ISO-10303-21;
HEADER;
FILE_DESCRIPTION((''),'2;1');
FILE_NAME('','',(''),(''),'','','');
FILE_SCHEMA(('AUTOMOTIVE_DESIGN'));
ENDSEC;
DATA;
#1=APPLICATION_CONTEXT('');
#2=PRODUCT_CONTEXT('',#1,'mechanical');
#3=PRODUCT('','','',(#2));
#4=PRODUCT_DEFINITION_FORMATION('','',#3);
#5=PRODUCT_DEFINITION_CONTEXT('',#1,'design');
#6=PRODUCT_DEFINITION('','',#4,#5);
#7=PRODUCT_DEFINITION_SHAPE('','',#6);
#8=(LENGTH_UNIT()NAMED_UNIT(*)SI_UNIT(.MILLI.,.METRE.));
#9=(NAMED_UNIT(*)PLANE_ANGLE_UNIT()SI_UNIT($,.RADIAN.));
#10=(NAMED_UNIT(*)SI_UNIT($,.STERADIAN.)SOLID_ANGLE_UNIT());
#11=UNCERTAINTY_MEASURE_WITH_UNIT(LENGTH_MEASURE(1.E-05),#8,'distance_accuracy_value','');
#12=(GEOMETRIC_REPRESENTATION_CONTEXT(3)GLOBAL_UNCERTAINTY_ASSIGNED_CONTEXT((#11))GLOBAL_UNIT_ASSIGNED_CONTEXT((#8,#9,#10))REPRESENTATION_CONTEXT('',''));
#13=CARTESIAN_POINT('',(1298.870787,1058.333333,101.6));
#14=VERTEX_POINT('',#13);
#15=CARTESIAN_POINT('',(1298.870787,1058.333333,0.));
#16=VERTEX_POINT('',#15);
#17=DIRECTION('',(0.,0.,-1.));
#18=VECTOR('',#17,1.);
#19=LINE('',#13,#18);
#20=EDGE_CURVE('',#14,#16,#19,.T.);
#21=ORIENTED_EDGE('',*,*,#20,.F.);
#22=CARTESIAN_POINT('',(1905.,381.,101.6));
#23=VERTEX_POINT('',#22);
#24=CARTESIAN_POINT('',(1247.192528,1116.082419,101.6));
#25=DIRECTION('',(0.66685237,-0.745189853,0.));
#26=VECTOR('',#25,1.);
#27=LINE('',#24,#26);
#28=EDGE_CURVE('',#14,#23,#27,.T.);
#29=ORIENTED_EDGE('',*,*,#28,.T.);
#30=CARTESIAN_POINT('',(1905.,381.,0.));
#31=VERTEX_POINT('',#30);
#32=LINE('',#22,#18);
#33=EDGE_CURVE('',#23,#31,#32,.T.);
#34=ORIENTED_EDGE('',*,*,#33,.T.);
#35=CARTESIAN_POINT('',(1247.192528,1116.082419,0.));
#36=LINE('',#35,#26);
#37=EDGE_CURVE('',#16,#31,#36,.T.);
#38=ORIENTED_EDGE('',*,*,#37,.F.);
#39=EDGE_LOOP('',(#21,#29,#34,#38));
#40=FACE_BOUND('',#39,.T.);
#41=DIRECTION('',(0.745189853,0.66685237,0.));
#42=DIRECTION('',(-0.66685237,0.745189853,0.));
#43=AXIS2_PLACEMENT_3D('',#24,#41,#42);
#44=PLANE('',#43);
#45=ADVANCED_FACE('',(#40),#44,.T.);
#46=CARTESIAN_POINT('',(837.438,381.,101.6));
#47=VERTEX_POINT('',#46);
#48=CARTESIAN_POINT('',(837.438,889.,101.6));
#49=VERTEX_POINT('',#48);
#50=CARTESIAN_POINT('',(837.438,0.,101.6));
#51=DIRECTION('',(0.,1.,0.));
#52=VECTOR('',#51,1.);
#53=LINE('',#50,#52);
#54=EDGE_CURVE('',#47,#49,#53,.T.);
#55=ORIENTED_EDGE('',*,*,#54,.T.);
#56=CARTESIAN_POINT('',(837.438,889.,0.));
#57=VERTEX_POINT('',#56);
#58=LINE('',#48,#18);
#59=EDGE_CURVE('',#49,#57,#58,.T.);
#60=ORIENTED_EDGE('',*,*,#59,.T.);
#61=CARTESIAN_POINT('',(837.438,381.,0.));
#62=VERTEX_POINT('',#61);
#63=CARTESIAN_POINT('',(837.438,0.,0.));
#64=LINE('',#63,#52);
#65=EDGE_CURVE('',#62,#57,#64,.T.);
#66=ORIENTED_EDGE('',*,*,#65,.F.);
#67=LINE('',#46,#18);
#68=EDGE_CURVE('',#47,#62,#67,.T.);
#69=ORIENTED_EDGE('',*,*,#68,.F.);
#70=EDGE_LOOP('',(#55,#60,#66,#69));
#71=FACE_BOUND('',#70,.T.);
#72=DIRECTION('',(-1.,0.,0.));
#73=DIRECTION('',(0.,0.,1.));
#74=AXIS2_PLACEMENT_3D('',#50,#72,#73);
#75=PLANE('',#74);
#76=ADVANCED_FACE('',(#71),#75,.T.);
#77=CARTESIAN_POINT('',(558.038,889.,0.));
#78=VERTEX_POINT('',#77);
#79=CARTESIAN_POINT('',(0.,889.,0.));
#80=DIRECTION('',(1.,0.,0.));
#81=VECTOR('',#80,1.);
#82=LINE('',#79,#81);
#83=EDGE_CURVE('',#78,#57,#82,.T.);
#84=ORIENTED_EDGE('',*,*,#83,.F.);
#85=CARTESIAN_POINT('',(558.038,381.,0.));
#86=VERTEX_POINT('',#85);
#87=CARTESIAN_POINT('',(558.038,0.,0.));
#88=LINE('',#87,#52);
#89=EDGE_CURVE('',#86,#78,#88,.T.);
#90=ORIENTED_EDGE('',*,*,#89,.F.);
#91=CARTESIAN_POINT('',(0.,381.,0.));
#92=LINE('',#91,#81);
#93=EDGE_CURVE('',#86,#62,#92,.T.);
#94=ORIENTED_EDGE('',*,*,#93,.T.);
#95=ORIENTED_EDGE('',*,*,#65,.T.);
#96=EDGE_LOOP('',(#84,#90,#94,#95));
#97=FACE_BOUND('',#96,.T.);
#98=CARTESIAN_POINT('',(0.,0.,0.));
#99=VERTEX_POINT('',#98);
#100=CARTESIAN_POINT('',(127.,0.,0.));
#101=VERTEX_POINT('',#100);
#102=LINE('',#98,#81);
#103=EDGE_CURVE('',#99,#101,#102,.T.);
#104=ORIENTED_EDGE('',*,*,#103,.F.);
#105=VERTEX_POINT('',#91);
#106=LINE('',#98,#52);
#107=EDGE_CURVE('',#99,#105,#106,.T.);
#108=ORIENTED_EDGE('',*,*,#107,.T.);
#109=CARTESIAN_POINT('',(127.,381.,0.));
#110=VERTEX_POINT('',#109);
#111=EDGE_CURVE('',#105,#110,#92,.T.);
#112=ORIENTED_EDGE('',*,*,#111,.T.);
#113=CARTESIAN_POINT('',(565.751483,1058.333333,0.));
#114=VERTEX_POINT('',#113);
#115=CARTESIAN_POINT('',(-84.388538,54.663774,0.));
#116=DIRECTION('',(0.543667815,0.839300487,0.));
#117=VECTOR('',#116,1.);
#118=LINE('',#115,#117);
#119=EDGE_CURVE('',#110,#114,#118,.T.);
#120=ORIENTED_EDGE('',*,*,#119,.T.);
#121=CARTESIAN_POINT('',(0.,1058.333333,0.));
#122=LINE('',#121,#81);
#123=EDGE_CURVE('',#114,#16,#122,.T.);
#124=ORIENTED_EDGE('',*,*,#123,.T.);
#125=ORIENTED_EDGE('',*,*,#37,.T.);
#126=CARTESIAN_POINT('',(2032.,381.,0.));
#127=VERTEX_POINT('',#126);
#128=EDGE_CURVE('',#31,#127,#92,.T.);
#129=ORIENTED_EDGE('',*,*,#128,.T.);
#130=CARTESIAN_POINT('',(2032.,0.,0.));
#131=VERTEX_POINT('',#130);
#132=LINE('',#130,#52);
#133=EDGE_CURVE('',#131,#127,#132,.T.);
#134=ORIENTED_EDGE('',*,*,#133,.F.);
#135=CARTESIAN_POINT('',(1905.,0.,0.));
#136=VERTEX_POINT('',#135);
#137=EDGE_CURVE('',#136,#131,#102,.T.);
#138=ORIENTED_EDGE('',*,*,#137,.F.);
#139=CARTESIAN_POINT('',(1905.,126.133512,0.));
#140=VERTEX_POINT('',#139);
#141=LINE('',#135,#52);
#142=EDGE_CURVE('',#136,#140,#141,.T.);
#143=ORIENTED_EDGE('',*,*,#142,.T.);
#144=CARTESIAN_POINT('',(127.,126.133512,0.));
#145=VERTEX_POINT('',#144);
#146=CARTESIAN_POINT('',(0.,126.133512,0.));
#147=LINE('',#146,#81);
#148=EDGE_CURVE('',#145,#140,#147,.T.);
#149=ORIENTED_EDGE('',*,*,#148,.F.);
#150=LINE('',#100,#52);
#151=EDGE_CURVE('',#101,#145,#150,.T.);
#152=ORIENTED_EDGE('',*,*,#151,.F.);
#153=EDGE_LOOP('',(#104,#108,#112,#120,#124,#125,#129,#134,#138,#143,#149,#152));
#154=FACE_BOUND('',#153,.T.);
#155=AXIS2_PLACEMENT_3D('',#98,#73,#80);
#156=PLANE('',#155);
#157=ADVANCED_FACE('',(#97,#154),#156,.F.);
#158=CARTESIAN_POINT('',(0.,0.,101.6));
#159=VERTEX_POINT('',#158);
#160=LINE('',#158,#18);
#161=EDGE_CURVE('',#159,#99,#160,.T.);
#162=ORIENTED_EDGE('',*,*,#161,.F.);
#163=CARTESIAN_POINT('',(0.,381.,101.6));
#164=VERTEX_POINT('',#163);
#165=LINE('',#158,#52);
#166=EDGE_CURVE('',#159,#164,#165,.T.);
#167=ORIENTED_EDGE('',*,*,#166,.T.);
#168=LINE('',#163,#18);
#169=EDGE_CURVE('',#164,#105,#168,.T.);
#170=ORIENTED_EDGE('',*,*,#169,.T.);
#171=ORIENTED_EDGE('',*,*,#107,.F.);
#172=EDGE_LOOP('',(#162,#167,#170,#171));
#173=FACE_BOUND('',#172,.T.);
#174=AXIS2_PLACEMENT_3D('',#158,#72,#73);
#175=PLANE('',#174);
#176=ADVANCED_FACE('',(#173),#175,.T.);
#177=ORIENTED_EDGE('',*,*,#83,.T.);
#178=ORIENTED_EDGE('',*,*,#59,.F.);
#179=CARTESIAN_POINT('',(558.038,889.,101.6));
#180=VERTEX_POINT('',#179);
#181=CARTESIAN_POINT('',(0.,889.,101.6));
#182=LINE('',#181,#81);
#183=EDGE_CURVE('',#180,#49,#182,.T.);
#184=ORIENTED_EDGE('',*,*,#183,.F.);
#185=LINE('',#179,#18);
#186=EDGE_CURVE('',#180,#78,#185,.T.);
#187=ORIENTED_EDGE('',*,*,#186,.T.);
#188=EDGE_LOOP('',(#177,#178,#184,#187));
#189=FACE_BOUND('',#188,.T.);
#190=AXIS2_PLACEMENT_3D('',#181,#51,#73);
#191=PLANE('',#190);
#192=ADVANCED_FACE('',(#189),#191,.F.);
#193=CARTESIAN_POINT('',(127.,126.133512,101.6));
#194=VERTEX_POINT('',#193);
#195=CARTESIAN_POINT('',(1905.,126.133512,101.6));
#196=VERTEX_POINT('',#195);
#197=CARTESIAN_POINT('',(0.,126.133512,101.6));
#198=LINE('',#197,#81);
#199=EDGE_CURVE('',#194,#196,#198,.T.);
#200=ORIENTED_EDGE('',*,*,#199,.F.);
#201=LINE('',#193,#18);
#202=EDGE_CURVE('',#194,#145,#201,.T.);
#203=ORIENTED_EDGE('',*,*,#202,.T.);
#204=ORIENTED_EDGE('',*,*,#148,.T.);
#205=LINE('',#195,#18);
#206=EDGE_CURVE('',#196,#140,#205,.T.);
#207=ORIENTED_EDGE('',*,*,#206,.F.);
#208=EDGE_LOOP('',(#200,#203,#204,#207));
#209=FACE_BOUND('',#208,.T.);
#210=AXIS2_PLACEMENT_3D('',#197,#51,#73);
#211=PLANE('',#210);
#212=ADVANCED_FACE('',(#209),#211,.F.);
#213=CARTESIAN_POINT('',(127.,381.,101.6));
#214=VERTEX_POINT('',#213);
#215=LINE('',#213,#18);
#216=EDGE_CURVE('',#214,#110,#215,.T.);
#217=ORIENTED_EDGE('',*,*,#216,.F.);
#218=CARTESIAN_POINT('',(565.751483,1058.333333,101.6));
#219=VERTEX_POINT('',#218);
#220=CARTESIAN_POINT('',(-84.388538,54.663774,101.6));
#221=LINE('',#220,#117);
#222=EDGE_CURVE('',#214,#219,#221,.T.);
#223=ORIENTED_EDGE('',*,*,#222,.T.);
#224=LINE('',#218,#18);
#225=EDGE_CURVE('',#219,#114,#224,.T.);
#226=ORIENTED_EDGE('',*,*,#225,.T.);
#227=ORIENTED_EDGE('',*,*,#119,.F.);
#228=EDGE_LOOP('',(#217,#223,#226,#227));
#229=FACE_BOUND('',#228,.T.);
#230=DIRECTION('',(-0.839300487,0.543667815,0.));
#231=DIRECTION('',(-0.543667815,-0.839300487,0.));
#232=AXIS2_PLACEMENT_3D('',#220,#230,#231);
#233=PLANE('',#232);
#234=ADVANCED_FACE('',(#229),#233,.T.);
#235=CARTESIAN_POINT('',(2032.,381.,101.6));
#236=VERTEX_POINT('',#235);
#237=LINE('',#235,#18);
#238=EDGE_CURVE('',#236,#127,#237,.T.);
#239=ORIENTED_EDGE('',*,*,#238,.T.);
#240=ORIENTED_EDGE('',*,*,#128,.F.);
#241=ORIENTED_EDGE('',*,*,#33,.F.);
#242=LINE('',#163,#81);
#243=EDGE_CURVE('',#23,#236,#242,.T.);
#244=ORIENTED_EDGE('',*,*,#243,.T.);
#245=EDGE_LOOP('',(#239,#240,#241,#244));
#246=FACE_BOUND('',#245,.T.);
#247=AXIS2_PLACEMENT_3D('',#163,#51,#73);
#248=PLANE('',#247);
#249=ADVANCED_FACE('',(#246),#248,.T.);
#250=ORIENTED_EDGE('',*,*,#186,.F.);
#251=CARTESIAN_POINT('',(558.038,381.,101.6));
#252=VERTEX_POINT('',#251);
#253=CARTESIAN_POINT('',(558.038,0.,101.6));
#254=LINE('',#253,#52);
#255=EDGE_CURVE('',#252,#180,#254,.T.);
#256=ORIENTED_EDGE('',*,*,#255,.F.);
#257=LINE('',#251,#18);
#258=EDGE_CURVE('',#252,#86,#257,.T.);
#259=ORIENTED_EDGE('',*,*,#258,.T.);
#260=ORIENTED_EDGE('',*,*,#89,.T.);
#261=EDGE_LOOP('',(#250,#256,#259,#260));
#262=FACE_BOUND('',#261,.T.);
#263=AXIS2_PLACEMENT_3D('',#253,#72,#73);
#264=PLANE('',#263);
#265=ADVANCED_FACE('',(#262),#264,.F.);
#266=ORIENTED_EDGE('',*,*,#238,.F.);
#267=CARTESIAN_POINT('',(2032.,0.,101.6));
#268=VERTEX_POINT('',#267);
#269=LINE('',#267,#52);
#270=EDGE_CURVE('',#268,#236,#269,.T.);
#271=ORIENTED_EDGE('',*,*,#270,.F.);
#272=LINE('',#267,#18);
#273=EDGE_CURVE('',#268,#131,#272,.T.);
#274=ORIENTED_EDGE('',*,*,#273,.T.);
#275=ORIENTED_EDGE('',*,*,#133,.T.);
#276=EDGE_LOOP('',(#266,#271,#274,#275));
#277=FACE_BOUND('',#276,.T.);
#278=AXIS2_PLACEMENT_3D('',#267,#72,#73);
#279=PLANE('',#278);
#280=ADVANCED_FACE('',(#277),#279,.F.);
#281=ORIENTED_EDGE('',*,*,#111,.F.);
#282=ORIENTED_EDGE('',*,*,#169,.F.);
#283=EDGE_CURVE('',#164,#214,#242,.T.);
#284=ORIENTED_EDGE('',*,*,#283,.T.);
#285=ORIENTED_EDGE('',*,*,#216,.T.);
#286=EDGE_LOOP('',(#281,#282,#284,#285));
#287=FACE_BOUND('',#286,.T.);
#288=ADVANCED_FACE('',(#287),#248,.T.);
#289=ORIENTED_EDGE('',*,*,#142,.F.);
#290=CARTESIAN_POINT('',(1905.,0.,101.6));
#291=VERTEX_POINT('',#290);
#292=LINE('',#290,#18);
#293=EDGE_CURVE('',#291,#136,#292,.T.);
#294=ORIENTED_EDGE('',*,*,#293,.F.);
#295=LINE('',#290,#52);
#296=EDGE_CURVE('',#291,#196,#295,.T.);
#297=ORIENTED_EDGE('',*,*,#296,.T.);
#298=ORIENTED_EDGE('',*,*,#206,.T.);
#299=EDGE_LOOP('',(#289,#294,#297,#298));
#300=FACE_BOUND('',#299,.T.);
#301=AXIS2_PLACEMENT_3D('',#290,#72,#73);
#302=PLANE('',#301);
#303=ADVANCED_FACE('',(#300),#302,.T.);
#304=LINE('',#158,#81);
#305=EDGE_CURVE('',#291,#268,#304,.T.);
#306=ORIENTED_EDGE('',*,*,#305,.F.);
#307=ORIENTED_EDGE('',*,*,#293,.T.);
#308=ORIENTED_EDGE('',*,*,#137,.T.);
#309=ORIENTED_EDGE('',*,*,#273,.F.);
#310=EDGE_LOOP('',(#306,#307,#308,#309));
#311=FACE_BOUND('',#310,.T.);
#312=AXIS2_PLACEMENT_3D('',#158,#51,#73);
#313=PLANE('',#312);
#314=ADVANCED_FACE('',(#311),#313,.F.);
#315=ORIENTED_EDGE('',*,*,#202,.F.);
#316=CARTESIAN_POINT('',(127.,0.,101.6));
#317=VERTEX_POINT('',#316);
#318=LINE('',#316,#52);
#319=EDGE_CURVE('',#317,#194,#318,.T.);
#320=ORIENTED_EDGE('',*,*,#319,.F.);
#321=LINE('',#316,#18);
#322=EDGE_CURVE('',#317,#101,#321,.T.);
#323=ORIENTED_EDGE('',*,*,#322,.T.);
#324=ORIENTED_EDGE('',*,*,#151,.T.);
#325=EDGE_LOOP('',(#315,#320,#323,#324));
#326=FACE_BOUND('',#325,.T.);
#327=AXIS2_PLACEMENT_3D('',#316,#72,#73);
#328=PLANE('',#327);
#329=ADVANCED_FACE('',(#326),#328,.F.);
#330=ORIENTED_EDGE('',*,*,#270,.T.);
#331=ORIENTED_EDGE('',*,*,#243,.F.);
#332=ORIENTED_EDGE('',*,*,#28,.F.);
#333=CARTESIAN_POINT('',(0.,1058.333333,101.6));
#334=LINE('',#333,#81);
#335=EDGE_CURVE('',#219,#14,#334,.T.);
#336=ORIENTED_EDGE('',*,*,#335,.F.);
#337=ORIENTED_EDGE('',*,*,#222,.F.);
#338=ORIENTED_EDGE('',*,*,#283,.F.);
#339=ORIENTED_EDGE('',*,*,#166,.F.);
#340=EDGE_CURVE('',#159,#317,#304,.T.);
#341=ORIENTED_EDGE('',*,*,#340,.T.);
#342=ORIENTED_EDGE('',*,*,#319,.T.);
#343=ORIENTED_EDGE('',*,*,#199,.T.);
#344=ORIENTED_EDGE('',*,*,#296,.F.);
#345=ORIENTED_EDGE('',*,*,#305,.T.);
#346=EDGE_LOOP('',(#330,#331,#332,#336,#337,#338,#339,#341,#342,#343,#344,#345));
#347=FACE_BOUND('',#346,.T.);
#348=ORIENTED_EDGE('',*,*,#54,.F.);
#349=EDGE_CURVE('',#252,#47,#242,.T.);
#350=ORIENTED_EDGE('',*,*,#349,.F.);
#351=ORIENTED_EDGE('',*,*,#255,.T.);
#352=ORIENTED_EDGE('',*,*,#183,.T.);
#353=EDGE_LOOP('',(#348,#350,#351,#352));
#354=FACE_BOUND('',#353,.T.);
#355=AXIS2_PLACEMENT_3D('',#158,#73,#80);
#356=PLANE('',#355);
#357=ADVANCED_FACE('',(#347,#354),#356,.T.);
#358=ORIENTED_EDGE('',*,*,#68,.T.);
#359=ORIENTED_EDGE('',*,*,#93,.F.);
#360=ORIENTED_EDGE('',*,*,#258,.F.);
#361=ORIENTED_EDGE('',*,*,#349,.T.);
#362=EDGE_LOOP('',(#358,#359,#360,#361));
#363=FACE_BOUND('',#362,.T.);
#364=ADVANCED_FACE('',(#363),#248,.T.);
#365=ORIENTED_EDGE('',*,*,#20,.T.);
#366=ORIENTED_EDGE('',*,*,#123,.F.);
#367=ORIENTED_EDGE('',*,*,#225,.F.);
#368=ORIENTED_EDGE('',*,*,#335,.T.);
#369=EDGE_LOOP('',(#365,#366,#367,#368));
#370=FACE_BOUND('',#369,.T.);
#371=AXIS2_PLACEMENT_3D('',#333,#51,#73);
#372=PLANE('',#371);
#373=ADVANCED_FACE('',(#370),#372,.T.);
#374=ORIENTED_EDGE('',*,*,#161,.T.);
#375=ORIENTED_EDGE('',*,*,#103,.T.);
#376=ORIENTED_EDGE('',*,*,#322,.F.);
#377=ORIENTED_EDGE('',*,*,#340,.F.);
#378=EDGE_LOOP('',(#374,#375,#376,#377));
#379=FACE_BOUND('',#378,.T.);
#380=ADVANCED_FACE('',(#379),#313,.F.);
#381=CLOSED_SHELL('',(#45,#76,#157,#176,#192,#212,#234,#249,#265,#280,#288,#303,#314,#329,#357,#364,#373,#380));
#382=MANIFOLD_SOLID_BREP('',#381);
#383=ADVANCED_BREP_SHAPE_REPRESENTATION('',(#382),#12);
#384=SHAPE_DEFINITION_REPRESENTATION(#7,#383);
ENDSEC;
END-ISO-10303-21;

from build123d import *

# Parameters (mm, degrees)
SKETCH2_W           = 279.4
SKETCH2_H           = 508
BOSS_EXTRUDE2_DEPTH = 101.6


with BuildPart() as part:
    # Sketch2 → Boss-Extrude2 (new body)
    with BuildSketch(Plane.XY):
        Polygon((1905, 0), (1905, 126.133511643), (127, 126.133511643), (127, 0), (0, 0), (0, 381), (127, 381), (565.751483096, 1058.333333333), (1298.870787435, 1058.333333333), (1905, 381), (2032, 381), (2032, 0), align=None)
        with Locations((697.738, 635)):
            Rectangle(SKETCH2_W, SKETCH2_H, mode=Mode.SUBTRACT)
    extrude(amount=BOSS_EXTRUDE2_DEPTH)


solid = part.part
